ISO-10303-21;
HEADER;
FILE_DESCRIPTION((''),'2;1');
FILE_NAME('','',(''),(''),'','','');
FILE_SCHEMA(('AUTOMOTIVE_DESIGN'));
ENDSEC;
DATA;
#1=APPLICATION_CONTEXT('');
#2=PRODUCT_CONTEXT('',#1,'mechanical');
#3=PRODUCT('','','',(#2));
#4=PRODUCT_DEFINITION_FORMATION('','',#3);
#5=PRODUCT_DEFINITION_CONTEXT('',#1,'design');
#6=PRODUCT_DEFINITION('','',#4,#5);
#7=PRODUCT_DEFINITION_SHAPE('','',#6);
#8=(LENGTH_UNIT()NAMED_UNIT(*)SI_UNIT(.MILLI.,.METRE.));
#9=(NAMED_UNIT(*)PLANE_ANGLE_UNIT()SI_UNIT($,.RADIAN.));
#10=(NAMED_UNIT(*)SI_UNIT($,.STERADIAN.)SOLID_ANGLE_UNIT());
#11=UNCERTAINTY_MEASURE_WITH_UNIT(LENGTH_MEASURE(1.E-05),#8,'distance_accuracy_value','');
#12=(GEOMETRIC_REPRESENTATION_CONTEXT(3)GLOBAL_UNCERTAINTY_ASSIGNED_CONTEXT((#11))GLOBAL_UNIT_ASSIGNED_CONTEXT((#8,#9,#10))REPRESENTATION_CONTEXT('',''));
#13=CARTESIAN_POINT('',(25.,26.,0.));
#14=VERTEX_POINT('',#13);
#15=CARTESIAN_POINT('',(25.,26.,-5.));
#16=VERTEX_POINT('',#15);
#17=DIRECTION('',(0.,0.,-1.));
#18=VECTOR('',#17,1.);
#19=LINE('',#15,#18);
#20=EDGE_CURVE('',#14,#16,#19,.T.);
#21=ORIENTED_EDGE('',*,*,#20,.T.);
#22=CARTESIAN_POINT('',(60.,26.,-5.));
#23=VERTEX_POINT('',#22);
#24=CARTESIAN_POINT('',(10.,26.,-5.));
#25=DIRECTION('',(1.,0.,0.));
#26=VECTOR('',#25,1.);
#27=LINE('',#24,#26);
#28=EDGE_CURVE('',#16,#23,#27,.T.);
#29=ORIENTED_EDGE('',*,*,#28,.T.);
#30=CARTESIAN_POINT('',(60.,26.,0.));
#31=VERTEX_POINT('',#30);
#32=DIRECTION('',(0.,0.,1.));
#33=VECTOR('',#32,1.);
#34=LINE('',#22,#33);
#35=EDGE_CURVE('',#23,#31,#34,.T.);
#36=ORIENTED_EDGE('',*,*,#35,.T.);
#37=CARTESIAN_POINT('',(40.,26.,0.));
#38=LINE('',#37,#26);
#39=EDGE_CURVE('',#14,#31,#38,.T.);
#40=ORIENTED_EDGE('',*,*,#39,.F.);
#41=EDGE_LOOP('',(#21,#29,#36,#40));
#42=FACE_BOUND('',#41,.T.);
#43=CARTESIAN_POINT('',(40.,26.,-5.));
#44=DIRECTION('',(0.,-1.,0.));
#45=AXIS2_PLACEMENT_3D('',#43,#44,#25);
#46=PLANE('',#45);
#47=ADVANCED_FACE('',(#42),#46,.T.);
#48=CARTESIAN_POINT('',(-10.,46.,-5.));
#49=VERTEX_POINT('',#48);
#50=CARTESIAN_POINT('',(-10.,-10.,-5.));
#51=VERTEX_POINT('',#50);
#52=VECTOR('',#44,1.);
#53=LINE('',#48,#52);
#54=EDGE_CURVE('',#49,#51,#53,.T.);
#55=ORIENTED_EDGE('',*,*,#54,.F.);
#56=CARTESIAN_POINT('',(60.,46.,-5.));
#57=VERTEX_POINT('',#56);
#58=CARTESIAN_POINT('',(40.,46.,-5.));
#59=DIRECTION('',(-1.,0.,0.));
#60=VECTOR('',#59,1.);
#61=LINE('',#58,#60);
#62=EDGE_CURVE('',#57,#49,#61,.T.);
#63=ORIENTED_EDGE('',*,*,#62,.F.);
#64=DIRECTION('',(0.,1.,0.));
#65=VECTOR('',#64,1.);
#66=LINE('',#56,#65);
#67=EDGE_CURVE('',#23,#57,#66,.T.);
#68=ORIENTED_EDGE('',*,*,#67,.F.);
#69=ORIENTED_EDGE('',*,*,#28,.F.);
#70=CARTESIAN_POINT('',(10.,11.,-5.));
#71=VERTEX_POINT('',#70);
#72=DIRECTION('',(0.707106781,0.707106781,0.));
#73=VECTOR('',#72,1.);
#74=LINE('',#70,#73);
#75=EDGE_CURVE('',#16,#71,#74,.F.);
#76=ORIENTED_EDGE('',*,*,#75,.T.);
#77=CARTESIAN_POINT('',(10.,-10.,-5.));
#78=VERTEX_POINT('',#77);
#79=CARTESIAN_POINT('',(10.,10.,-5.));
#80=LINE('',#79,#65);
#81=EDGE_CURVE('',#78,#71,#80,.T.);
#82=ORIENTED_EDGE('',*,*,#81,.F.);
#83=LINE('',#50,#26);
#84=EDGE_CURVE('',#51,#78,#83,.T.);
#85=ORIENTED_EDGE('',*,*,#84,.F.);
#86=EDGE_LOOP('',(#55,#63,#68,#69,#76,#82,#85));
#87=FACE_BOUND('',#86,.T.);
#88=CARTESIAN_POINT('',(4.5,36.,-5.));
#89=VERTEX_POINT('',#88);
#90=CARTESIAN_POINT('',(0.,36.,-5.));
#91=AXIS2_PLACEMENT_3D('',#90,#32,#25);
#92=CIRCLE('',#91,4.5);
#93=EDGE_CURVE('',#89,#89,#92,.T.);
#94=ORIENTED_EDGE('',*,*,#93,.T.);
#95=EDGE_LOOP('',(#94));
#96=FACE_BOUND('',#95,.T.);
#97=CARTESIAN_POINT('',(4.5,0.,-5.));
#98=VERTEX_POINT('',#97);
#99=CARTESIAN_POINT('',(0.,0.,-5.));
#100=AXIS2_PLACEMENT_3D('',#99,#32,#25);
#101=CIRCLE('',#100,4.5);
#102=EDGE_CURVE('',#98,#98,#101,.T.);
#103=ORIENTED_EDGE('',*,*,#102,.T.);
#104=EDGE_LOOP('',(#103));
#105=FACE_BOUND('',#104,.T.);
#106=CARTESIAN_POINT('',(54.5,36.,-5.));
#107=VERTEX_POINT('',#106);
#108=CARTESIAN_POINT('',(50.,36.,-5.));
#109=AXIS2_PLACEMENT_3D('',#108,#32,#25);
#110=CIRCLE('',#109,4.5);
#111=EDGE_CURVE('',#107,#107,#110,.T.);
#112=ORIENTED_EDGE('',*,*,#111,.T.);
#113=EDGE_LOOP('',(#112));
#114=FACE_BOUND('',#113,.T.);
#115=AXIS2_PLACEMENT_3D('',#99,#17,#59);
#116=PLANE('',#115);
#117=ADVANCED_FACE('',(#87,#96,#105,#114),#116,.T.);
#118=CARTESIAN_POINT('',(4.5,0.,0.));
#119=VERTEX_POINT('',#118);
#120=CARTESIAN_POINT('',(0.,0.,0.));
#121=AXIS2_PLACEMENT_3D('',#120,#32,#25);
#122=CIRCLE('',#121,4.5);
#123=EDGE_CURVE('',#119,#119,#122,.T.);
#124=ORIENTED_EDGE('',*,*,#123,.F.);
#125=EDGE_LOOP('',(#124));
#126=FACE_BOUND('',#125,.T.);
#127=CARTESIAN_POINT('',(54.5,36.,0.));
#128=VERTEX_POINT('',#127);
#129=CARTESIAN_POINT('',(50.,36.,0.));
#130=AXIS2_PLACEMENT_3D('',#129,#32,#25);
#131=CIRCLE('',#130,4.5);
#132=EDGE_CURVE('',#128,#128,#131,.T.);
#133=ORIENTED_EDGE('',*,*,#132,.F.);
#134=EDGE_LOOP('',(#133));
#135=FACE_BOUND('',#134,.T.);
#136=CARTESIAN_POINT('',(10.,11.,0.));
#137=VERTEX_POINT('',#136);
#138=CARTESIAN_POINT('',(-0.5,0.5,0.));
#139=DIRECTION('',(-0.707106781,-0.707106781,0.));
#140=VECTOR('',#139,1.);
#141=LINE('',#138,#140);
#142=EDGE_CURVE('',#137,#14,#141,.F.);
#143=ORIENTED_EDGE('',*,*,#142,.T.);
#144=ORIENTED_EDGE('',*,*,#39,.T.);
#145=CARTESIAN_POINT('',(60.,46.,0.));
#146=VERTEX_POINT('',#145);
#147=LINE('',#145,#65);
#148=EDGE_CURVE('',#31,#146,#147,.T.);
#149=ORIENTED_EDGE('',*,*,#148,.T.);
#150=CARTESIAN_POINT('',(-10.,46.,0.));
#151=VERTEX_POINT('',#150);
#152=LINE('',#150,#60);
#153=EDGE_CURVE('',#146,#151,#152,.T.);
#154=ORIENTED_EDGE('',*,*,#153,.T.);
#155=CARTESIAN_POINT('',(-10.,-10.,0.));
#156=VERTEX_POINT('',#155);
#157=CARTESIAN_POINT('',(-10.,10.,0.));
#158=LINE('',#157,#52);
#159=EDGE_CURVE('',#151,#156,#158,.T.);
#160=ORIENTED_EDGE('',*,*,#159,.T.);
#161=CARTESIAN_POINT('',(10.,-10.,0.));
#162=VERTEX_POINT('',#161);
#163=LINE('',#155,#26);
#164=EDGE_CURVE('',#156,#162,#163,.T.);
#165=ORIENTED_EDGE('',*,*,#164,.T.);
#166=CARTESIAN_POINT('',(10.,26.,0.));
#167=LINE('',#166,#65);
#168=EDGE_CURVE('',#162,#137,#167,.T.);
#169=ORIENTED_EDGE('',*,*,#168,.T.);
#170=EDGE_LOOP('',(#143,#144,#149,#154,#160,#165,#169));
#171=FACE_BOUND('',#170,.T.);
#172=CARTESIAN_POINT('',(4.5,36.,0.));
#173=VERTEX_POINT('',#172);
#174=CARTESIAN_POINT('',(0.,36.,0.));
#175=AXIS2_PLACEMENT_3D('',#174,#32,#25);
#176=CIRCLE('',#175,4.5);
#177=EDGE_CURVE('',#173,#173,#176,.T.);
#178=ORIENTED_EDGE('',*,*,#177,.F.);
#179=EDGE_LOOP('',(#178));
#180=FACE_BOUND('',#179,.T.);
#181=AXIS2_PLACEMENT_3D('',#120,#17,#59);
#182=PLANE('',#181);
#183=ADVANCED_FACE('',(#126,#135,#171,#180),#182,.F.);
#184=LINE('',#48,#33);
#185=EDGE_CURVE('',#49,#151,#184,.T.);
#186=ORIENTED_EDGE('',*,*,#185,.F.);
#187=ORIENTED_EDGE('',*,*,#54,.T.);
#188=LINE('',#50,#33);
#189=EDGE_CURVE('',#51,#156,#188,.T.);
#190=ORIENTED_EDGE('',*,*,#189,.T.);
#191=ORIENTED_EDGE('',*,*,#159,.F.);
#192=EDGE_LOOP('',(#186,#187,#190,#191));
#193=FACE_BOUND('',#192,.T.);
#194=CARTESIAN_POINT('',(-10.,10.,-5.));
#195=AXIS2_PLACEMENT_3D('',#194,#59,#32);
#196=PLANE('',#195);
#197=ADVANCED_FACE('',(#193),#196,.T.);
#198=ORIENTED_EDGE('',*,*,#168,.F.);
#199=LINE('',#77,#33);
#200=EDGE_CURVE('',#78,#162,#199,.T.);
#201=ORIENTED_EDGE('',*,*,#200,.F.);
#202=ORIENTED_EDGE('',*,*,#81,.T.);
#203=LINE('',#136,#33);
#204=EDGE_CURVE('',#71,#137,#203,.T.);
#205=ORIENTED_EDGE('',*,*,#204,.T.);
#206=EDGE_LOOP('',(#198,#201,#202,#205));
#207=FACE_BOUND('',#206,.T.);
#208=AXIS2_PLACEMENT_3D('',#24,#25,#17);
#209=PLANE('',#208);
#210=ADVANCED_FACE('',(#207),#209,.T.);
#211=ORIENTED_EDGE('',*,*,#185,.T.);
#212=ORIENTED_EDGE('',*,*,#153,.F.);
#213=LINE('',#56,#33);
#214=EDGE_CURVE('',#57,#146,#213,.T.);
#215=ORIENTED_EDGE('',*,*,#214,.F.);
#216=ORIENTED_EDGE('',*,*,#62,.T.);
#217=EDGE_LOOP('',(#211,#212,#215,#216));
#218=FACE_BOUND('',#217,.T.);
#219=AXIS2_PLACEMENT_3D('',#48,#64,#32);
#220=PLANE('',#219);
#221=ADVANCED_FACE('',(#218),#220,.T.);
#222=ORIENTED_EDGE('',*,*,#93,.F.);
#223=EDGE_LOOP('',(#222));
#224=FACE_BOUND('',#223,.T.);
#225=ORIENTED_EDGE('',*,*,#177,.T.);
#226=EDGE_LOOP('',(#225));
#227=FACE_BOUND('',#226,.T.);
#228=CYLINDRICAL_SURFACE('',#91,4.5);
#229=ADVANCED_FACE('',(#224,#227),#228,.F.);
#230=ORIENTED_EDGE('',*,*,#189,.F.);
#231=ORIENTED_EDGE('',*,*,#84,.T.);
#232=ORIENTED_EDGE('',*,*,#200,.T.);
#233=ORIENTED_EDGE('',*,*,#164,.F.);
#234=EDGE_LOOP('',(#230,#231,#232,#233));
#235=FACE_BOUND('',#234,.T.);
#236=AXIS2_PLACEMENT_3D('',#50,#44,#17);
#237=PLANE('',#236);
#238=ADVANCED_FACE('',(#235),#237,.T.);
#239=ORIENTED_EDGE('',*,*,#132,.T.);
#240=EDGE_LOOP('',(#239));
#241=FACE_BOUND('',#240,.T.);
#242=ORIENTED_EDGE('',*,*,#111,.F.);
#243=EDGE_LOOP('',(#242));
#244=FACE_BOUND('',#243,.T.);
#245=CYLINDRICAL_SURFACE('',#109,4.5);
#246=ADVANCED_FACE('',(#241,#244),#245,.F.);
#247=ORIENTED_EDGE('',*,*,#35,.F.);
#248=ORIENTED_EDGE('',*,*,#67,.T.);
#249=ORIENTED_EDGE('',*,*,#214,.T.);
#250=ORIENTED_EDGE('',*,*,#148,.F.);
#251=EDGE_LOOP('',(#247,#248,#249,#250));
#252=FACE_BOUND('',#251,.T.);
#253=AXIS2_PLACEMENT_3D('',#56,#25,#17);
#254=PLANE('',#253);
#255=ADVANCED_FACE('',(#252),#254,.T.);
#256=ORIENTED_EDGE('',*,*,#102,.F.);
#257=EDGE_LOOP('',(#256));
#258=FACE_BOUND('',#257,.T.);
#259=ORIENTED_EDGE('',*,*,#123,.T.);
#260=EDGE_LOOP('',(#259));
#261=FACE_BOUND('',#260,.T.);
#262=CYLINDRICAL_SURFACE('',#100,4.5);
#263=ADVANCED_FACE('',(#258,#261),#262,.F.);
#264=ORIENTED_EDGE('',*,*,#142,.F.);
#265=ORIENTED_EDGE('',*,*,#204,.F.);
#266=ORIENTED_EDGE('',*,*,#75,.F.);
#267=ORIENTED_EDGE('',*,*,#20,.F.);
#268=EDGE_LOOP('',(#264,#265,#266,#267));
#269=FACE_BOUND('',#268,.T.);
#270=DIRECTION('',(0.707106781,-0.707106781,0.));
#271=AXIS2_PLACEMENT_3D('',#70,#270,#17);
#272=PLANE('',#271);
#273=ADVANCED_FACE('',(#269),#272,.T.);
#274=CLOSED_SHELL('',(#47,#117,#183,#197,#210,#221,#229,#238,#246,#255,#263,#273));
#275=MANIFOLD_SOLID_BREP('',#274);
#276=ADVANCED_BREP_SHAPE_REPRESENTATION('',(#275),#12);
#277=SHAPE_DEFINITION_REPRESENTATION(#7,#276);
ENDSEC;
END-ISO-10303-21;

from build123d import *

# Parameters (mm, degrees)
SKETCH_1_R      = 4.5
EXTRUDE_1_DEPTH = 5
CHAMFER_1_SIZE  = 15


with BuildPart() as part:
    # 草图1 → 凸台-拉伸1 (new body)
    with BuildSketch(Plane.XY):
        Polygon((-10, 26), (-10, 10), (-10, -10), (10, -10), (10, 10), (10, 26), (40, 26), (60, 26), (60, 46), (40, 46), (10, 46), (-10, 46), align=None)
        Circle(SKETCH_1_R, mode=Mode.SUBTRACT)
        with Locations((0, 36)):
            Circle(SKETCH_1_R, mode=Mode.SUBTRACT)
        with Locations((50, 36)):
            Circle(SKETCH_1_R, mode=Mode.SUBTRACT)
    extrude(amount=-EXTRUDE_1_DEPTH)

    # 倒角1
    chamfer_1_edges = [part.edges().sort_by_distance(p)[0] for p in [
        (10, 26, -2.5),
    ]]
    chamfer(chamfer_1_edges, length=CHAMFER_1_SIZE)


solid = part.part
